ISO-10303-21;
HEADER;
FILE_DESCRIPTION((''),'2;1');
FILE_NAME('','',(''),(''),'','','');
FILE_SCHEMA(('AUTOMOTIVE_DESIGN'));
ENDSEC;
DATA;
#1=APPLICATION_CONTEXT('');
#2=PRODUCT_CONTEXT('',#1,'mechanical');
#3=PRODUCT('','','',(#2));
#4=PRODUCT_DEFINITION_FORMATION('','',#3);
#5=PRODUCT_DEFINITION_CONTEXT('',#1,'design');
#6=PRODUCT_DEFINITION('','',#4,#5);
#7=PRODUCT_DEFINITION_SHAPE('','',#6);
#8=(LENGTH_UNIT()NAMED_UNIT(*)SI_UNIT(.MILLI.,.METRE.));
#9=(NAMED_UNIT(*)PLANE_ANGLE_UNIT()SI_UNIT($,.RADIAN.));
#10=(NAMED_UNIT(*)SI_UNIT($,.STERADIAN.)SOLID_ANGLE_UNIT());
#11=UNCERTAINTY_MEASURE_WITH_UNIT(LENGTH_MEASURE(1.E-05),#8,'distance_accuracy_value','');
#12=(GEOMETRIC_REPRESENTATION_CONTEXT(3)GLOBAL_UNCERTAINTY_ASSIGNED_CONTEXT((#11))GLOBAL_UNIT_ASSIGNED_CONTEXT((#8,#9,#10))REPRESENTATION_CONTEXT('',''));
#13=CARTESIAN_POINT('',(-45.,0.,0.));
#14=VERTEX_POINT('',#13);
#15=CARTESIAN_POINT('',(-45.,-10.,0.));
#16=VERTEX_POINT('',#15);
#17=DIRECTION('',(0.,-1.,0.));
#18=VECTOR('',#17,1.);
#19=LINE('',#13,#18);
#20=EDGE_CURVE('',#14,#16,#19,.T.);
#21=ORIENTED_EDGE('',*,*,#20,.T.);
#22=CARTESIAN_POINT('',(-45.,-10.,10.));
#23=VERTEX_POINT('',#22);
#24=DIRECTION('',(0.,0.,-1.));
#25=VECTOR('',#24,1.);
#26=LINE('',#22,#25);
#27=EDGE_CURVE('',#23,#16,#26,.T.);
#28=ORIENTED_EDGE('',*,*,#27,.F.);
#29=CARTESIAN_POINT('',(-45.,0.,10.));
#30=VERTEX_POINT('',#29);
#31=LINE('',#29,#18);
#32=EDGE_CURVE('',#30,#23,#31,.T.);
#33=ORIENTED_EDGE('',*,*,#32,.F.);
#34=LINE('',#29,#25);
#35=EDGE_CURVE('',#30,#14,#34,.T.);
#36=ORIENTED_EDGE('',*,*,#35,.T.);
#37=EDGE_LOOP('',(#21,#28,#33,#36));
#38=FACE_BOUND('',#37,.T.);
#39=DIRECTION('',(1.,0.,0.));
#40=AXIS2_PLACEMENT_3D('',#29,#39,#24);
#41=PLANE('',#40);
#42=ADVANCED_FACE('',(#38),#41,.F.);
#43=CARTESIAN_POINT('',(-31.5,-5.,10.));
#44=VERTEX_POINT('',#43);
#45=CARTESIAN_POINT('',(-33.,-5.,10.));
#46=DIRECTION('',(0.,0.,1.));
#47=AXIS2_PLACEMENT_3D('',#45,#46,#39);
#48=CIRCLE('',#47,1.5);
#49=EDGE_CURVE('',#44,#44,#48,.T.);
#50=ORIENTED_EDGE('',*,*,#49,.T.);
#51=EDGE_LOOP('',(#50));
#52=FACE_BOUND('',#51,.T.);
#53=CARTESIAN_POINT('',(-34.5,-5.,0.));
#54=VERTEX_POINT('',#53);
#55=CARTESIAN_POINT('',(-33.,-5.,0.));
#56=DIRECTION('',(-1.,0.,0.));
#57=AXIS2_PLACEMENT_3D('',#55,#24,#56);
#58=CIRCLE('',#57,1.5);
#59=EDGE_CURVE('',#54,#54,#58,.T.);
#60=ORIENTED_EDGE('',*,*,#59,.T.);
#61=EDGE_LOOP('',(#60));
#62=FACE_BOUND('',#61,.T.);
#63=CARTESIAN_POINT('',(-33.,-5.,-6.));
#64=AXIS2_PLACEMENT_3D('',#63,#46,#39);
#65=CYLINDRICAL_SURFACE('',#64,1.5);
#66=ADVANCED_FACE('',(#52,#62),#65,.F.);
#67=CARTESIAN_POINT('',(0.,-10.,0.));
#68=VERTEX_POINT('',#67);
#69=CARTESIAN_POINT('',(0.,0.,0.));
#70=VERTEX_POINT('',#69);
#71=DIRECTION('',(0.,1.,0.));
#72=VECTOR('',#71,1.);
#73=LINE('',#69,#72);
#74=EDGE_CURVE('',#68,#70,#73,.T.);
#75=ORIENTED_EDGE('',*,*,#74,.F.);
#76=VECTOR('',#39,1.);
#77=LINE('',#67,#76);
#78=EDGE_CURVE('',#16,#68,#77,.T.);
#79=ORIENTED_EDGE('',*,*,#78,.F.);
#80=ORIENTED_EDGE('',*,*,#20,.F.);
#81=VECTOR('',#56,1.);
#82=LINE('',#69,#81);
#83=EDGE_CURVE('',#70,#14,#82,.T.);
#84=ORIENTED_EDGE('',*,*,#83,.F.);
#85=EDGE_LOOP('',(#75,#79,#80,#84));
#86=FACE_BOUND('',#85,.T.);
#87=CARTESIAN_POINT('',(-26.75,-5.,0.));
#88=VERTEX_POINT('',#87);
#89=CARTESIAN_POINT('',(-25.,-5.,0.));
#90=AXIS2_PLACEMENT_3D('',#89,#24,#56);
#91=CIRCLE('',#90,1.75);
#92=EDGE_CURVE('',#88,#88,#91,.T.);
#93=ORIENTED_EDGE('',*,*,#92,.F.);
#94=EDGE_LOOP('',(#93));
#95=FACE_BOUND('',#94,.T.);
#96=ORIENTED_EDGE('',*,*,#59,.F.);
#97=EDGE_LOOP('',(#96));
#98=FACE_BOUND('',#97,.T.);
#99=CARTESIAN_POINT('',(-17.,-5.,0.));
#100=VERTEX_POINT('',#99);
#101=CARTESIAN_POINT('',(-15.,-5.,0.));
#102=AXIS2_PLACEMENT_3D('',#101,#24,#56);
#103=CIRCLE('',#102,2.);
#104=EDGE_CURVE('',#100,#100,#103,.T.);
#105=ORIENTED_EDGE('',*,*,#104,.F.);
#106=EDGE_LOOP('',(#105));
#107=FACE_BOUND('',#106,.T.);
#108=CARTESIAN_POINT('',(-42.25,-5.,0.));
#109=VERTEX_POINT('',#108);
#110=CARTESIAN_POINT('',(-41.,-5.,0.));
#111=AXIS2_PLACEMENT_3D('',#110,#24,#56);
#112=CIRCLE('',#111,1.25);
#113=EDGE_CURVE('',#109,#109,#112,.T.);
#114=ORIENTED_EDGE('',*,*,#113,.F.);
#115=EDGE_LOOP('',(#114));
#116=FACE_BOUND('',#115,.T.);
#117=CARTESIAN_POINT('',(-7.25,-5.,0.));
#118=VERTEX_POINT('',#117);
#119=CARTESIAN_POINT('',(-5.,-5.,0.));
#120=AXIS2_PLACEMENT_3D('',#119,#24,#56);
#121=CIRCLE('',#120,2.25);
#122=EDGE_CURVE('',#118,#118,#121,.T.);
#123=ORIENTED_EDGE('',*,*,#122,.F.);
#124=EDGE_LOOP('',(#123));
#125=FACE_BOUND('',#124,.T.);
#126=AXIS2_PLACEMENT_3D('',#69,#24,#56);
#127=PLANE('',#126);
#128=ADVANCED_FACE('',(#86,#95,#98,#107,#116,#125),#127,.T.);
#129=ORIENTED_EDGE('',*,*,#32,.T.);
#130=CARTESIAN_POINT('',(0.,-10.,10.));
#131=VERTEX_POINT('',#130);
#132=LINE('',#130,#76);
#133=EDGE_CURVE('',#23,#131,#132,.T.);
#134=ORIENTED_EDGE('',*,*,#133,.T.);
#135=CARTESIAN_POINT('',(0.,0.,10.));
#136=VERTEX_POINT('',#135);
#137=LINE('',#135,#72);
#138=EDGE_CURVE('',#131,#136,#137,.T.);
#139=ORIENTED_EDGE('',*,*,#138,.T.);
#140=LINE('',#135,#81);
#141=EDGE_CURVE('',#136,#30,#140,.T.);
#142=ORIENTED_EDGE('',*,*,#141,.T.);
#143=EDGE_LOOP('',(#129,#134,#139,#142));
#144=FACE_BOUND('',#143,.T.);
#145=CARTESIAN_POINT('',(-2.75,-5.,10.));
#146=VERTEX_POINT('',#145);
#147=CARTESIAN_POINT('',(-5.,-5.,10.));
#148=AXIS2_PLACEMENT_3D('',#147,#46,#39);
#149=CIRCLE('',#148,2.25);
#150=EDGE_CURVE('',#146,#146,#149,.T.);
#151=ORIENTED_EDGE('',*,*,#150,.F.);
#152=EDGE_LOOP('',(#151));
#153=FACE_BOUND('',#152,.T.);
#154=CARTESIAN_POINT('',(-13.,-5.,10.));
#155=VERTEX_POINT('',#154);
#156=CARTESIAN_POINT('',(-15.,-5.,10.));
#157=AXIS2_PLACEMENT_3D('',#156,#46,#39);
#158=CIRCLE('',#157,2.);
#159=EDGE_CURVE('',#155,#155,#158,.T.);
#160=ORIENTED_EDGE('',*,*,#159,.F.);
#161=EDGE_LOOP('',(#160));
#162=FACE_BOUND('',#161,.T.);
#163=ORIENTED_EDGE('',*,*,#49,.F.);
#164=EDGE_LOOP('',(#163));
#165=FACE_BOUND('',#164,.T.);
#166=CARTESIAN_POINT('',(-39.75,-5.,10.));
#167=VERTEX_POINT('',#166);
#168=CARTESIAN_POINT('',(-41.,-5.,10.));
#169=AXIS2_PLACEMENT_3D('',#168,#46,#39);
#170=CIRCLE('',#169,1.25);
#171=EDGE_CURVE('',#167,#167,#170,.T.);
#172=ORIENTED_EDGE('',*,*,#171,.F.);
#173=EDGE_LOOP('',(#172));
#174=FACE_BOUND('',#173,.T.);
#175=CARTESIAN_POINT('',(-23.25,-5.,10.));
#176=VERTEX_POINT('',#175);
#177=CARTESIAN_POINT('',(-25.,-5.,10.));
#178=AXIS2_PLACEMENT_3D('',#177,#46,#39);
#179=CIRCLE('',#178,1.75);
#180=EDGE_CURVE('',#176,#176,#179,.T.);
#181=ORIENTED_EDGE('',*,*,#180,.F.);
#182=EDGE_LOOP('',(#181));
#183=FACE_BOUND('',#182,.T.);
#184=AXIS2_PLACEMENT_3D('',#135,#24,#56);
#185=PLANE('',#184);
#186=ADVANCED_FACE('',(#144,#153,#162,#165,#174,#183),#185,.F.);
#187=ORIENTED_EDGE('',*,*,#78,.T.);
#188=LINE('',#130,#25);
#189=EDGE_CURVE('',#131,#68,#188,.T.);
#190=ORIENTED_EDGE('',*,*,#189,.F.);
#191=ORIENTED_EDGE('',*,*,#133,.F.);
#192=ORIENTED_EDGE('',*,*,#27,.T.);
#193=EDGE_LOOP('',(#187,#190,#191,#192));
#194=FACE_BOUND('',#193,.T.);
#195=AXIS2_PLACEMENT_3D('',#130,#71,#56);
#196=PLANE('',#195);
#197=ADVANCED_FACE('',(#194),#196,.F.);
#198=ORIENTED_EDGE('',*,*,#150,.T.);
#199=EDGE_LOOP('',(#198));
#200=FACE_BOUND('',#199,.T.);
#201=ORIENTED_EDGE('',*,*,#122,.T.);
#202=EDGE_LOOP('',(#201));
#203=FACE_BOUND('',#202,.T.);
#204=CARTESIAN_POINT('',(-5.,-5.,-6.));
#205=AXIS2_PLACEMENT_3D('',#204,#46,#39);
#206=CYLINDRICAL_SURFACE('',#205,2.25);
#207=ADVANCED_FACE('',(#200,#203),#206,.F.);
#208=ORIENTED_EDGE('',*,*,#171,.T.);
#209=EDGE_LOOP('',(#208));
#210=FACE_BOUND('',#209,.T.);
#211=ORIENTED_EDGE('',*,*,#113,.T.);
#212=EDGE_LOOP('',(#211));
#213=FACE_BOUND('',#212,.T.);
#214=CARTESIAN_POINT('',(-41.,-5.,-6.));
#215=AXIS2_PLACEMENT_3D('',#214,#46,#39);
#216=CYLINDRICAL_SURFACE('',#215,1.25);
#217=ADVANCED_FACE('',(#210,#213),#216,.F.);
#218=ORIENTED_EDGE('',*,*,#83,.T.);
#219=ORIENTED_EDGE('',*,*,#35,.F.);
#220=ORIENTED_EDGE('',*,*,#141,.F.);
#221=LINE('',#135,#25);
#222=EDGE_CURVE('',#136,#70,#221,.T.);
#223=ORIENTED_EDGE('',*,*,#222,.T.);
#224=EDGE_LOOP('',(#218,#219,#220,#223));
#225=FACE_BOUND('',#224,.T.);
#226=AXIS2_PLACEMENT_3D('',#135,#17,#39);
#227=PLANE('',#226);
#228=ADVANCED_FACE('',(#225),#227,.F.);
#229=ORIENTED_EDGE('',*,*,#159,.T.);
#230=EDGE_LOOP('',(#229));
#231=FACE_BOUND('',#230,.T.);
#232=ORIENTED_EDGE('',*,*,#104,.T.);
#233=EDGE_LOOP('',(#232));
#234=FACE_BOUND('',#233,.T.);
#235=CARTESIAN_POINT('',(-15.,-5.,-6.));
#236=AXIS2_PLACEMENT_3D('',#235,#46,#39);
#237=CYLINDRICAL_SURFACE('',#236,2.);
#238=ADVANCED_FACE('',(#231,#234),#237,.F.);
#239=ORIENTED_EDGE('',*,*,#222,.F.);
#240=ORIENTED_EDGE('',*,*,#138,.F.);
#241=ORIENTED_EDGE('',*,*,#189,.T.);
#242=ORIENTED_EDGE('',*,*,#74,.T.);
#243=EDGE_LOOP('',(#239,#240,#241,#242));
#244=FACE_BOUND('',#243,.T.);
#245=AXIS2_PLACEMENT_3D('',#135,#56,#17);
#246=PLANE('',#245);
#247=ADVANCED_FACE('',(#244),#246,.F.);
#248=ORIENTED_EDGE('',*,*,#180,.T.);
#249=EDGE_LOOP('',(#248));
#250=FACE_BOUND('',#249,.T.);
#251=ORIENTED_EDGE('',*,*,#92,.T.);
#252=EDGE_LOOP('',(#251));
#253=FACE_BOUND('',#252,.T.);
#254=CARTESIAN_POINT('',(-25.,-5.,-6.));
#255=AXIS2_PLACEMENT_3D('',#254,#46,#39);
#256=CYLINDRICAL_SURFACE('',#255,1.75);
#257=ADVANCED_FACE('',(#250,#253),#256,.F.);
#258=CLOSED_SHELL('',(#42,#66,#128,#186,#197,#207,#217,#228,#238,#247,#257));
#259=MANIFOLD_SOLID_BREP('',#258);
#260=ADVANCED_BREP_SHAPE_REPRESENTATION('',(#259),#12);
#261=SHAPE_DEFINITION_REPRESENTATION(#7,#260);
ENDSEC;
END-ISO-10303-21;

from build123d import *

# Parameters (mm, degrees)
SKETCH1_W           = 45
SKETCH1_H           = 10
BOSS_EXTRUDE1_DEPTH = 10
SKETCH2_R           = 1.25
SKETCH2_R_2         = 1.5
SKETCH2_R_3         = 1.75
SKETCH2_R_4         = 2
SKETCH2_R_5         = 2.25
CUT_EXTRUDE1_DEPTH  = 16


with BuildPart() as part:
    # Sketch1 → Boss-Extrude1 (new body)
    with BuildSketch(Plane.XY):
        with Locations((-22.5, -5)):
            Rectangle(SKETCH1_W, SKETCH1_H)
    extrude(amount=BOSS_EXTRUDE1_DEPTH)

    # Sketch2 → Cut-Extrude1 (cut)
    with BuildSketch(Plane.XY.offset(10)):
        with Locations((-41, -5)):
            Circle(SKETCH2_R)
        with Locations((-33, -5)):
            Circle(SKETCH2_R_2)
        with Locations((-25, -5)):
            Circle(SKETCH2_R_3)
        with Locations((-15, -5)):
            Circle(SKETCH2_R_4)
        with Locations((-5, -5)):
            Circle(SKETCH2_R_5)
    extrude(amount=-CUT_EXTRUDE1_DEPTH, mode=Mode.SUBTRACT)


solid = part.part
